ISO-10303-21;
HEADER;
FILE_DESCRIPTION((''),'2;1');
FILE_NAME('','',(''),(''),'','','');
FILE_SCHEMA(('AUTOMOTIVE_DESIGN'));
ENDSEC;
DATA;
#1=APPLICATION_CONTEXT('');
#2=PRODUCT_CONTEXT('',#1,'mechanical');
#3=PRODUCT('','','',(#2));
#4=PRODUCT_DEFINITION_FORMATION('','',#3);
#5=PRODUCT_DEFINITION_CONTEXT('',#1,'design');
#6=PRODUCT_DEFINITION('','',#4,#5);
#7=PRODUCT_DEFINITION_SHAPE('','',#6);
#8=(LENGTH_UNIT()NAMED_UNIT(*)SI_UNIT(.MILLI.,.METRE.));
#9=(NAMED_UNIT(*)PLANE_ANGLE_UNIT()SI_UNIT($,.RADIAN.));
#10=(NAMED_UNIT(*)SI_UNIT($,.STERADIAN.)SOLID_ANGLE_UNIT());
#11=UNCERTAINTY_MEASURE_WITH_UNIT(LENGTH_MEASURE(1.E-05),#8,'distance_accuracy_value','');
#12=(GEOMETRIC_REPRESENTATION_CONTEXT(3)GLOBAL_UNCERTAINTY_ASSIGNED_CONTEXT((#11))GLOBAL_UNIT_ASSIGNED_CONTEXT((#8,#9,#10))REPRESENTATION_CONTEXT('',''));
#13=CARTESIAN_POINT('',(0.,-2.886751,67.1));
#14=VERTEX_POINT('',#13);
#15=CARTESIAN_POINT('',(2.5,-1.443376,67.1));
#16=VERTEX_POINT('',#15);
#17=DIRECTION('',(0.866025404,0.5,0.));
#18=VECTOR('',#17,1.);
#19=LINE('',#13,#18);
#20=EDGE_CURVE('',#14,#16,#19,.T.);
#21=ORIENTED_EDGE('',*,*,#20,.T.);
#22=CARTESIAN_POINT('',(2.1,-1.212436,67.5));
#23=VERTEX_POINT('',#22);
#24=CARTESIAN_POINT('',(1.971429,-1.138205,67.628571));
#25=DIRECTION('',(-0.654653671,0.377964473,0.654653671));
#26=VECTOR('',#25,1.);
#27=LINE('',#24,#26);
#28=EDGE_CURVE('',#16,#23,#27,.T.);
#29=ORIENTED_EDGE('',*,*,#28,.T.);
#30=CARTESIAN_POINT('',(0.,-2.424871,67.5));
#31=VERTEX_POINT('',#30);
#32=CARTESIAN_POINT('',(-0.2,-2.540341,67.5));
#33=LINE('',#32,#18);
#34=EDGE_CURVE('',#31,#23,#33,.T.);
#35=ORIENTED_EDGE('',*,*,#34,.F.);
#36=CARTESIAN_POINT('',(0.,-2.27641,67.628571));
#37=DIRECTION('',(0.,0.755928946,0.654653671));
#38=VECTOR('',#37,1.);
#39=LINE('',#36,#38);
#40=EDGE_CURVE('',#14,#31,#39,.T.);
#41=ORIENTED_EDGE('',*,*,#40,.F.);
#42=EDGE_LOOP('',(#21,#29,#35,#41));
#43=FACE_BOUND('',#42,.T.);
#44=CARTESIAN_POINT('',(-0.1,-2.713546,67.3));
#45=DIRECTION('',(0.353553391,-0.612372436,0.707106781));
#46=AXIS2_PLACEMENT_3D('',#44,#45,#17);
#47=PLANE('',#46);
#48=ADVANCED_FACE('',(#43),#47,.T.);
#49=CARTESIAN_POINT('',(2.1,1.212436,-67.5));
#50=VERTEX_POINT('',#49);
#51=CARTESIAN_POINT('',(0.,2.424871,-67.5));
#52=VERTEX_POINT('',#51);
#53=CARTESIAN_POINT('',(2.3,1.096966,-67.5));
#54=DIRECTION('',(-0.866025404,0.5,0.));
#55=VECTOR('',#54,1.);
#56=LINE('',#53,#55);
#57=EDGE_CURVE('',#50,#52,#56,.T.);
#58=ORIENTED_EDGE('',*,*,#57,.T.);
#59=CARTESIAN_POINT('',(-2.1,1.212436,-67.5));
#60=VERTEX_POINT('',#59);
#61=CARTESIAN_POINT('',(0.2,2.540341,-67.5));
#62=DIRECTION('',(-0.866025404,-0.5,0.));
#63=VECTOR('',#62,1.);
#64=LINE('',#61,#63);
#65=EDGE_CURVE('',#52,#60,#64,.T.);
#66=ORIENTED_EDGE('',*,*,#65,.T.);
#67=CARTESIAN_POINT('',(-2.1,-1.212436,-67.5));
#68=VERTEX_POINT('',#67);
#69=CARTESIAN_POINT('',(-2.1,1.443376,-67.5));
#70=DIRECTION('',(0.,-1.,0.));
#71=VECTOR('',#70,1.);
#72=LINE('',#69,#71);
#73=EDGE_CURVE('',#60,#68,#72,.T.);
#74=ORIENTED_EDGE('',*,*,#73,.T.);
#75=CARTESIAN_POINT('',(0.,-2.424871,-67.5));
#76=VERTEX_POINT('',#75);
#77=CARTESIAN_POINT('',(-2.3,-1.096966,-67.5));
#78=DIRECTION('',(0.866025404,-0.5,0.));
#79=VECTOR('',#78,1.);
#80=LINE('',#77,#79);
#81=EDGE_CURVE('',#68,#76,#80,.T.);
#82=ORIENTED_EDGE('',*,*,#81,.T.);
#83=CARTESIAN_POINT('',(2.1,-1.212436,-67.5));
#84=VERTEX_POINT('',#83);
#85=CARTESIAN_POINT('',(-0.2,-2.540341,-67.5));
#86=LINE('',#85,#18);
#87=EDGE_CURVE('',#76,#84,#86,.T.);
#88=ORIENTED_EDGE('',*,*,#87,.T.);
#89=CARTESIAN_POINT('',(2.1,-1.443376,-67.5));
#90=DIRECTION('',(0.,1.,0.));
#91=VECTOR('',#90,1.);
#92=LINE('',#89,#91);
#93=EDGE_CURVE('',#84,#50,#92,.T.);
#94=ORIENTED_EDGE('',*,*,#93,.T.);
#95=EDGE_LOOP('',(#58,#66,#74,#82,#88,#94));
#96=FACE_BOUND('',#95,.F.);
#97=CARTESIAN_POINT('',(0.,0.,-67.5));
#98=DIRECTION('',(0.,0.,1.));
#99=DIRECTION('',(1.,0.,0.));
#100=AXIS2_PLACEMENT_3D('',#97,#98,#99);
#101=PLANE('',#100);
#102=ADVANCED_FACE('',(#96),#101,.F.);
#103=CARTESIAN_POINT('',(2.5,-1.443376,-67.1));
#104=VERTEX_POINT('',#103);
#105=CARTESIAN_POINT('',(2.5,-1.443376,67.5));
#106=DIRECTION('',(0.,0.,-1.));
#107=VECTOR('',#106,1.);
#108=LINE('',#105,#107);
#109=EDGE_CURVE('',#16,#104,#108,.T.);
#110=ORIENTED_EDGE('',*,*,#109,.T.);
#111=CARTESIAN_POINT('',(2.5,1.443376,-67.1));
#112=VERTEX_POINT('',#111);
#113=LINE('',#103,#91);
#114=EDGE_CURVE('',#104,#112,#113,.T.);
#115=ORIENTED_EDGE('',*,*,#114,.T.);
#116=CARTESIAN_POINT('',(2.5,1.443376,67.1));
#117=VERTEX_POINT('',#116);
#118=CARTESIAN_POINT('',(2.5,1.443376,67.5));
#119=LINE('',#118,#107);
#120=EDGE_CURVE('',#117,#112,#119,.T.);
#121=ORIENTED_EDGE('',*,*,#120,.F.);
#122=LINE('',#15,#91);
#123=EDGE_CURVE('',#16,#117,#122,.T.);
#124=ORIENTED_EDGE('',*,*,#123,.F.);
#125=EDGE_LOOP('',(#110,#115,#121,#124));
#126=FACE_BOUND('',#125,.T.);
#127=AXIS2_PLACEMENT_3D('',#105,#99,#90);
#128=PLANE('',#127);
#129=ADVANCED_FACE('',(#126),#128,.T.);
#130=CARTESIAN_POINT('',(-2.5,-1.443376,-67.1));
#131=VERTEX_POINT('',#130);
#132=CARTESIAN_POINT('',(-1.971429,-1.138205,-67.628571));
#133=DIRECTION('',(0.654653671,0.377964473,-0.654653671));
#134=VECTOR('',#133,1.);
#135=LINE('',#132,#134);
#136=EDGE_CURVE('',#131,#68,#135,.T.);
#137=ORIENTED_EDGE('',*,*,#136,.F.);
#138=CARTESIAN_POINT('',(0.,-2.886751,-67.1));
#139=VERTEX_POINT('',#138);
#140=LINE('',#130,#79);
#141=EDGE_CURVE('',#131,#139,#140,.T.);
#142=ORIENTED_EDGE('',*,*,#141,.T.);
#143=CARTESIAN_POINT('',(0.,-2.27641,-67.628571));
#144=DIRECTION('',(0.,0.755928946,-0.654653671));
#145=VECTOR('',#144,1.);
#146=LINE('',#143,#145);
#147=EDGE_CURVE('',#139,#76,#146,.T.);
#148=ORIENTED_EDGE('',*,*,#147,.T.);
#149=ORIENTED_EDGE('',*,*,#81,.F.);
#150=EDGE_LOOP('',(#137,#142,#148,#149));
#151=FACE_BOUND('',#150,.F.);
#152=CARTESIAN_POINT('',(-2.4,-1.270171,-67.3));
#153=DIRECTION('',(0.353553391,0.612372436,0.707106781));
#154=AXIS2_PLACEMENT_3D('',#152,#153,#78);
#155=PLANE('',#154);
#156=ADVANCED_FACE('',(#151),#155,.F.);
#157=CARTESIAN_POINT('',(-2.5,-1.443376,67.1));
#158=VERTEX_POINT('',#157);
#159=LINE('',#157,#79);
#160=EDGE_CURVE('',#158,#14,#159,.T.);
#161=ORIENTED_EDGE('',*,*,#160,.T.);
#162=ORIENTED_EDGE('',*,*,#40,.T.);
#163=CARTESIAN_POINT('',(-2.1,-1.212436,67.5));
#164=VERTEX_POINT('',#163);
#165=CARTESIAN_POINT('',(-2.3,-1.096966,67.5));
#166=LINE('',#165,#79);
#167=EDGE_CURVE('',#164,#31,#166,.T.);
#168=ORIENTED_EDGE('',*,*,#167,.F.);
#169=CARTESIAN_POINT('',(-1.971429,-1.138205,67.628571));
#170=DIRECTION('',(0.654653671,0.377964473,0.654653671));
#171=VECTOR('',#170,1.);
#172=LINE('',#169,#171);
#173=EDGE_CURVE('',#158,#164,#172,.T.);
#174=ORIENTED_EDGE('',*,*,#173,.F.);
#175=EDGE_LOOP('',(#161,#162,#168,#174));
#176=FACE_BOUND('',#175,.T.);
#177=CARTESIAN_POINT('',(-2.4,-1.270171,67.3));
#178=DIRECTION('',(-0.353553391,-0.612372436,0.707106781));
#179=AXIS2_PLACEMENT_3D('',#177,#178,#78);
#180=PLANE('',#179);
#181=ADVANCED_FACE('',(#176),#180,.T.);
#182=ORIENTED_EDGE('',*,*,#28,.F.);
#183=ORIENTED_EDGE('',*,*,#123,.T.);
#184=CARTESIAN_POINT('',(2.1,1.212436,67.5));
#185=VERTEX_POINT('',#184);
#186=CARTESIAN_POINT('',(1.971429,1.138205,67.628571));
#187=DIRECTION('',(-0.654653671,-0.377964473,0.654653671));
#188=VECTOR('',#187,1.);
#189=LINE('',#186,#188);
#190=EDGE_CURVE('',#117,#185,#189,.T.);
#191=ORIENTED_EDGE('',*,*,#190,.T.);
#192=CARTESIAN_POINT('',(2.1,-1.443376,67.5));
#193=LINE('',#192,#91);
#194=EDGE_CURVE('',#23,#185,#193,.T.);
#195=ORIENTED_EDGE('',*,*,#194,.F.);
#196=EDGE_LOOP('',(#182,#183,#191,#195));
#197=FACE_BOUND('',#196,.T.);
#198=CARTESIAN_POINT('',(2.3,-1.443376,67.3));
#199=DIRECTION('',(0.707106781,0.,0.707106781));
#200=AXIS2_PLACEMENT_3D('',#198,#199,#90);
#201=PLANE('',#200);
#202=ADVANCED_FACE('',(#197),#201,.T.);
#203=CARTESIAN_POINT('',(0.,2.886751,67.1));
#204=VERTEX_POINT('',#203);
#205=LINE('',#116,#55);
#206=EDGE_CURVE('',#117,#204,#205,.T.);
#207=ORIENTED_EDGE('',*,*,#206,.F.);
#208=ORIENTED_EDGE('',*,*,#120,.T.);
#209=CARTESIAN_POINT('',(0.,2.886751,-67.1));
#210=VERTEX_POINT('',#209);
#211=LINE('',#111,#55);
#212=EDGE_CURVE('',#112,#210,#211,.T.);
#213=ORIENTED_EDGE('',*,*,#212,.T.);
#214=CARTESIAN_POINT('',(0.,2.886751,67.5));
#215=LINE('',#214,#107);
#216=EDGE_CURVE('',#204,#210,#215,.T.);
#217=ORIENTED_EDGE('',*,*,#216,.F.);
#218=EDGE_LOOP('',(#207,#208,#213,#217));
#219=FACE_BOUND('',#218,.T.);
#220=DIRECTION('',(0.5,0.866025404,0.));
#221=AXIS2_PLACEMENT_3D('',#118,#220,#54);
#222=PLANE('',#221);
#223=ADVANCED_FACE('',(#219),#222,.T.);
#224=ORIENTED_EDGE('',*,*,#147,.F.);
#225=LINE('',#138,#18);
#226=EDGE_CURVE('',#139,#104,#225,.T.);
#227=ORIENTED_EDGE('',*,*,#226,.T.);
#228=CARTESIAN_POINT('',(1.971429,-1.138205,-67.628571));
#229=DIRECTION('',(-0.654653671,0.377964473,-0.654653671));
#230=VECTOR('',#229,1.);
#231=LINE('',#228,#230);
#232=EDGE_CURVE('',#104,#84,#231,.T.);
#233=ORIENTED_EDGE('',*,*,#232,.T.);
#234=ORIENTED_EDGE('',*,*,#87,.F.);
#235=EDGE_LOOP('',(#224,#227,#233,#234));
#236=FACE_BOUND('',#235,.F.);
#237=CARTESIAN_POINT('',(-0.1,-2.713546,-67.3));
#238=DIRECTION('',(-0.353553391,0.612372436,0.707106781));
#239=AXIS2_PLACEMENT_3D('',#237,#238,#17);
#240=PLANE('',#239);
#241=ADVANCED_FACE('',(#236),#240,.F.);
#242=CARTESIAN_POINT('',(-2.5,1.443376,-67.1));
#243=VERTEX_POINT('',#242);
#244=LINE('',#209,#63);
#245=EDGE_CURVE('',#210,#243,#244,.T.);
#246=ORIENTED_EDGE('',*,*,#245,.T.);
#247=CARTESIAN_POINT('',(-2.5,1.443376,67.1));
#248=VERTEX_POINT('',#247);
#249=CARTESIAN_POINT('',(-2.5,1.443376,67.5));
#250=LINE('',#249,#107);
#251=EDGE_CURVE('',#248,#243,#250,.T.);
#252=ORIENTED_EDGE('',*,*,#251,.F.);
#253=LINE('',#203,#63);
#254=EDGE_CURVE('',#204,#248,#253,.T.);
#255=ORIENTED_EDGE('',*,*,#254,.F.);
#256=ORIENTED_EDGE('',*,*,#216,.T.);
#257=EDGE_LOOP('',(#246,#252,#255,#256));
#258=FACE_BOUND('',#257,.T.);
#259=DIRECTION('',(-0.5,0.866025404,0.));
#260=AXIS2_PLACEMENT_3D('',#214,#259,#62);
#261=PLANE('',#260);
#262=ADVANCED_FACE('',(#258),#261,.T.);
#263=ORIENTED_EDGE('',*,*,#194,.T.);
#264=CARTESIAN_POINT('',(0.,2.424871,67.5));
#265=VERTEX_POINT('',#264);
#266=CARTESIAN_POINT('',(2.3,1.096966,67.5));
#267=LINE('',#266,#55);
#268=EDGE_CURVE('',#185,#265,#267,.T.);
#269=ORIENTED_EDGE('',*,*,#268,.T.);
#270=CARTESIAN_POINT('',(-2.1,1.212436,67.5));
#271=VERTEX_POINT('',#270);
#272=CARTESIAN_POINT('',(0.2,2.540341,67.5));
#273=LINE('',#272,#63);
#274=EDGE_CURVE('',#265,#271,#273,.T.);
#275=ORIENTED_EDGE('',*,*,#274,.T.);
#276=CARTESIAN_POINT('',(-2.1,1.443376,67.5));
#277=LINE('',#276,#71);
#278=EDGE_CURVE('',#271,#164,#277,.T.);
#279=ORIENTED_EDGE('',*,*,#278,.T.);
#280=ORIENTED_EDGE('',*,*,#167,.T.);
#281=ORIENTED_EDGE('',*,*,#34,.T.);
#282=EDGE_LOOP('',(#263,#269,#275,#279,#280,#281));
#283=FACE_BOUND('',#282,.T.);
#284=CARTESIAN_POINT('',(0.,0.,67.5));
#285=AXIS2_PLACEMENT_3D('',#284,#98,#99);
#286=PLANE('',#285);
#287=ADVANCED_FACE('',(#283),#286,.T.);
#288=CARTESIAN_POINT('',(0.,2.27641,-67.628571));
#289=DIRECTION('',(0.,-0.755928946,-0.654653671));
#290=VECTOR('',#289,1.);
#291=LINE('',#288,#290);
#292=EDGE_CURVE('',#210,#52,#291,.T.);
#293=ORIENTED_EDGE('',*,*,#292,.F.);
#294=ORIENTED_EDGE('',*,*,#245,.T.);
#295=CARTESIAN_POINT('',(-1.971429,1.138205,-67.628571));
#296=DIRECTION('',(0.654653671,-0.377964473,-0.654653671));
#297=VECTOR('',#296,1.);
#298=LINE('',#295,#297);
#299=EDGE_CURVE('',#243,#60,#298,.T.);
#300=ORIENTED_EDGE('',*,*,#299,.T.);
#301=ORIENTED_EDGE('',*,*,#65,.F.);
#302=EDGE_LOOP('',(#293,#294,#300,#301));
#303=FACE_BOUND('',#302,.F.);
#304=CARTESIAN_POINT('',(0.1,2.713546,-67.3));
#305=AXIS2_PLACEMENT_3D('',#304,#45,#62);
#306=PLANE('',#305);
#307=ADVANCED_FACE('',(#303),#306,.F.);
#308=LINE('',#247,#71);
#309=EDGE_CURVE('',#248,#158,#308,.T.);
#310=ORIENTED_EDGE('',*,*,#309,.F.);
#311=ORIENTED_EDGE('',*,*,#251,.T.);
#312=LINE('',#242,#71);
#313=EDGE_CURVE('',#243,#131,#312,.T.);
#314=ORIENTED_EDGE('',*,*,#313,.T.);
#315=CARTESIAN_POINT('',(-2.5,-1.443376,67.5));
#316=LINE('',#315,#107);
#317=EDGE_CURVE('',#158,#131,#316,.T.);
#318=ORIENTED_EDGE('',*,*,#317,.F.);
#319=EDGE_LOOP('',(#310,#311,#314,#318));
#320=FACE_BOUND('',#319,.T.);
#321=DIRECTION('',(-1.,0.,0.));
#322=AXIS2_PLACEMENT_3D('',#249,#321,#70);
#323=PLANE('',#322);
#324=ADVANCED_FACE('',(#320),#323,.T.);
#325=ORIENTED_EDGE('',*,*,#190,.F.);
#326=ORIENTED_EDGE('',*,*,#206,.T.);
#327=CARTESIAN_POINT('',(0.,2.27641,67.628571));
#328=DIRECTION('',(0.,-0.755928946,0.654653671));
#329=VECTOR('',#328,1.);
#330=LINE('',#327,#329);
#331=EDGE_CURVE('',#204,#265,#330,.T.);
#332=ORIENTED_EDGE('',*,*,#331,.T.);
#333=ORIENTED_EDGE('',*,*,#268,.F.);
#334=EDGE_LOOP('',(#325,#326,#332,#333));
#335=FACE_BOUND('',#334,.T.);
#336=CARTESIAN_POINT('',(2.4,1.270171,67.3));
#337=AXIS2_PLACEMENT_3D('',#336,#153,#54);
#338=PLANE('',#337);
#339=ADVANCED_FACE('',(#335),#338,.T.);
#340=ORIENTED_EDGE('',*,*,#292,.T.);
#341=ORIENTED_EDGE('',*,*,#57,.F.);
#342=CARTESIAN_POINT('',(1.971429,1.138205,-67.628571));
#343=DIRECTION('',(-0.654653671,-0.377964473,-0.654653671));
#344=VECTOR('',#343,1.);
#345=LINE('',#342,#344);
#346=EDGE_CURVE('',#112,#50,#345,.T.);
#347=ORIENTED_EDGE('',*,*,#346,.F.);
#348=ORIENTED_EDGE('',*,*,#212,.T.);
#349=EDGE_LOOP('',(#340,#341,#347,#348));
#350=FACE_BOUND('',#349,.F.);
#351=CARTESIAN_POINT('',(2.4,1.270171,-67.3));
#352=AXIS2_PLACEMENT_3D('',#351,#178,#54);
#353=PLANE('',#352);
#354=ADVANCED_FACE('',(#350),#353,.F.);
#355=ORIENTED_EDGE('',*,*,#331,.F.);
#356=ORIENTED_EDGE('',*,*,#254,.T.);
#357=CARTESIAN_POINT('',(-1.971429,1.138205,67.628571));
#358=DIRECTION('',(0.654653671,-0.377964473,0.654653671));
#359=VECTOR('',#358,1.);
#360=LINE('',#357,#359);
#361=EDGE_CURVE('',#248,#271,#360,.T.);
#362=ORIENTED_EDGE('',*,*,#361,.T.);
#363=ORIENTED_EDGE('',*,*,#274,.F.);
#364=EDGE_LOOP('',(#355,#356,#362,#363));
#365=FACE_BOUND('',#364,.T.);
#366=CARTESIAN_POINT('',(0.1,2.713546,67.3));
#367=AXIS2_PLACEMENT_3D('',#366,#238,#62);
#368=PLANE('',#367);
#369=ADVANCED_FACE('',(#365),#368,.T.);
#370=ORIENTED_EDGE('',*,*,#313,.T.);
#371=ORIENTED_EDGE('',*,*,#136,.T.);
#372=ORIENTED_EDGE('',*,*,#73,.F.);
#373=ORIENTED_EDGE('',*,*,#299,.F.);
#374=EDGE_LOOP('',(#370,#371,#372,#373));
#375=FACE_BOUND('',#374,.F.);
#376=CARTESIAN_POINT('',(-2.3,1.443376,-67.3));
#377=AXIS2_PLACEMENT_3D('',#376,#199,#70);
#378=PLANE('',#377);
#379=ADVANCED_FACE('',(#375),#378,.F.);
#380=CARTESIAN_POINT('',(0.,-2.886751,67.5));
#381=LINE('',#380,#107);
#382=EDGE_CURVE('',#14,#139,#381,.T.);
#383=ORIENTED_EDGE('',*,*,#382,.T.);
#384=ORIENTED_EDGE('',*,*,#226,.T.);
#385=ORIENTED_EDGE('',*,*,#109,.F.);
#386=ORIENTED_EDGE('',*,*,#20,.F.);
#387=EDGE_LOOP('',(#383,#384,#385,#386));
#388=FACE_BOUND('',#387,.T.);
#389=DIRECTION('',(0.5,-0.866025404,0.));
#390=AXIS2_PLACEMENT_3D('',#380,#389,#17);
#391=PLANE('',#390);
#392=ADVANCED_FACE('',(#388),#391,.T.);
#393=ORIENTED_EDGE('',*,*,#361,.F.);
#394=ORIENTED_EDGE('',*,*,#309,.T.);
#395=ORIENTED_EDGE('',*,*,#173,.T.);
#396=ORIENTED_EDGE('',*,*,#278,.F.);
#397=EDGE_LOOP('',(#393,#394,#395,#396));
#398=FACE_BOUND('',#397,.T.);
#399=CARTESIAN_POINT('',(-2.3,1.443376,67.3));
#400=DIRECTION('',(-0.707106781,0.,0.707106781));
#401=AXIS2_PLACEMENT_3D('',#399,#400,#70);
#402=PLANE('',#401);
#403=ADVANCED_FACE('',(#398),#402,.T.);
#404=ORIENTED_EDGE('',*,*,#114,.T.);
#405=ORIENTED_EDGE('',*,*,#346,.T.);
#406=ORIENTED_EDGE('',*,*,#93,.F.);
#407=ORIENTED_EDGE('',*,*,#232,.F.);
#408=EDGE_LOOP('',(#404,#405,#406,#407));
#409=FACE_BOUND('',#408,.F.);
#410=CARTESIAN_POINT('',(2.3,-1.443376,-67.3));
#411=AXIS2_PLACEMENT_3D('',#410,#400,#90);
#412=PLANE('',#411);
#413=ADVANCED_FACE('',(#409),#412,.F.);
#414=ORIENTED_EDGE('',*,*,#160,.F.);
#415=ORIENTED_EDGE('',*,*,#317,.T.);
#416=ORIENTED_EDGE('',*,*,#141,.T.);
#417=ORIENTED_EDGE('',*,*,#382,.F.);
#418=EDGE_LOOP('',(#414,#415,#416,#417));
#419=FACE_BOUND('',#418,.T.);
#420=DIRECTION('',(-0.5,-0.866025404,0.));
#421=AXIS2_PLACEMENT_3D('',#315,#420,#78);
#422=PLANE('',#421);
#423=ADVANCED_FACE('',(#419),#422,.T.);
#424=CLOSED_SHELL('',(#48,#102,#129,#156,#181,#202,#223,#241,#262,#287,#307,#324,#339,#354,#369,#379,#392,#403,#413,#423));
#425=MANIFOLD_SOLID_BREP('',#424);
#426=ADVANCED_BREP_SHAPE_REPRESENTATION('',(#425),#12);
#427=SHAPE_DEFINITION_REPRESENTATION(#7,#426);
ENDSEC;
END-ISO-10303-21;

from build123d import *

# Parameters (mm, degrees)
BOSS_EXTRUDE1_DEPTH = 135
CHAMFER1_SIZE       = 0.4


with BuildPart() as part:
    # Sketch1 → Boss-Extrude1 (new body)
    with BuildSketch(Plane.XY.offset(67.5)):
        Polygon((0, -2.886751346), (2.5, -1.443375673), (2.5, 1.443375673), (0, 2.886751346), (-2.5, 1.443375673), (-2.5, -1.443375673), align=None)
    extrude(amount=-BOSS_EXTRUDE1_DEPTH)

    # Chamfer1
    chamfer1_edges = [part.edges().sort_by_distance(p)[0] for p in [
        (2.5, 0, -67.5),
        (1.25, 2.165063509, -67.5),
        (-1.25, 2.165063509, -67.5),
        (-2.5, 0, -67.5),
        (-1.25, -2.165063509, -67.5),
        (-2.5, 0, 67.5),
        (-1.25, 2.165063509, 67.5),
        (1.25, 2.165063509, 67.5),
        (1.25, -2.165063509, -67.5),
        (2.5, 0, 67.5),
        (1.25, -2.165063509, 67.5),
        (-1.25, -2.165063509, 67.5),
    ]]
    chamfer(chamfer1_edges, length=CHAMFER1_SIZE)


solid = part.part
